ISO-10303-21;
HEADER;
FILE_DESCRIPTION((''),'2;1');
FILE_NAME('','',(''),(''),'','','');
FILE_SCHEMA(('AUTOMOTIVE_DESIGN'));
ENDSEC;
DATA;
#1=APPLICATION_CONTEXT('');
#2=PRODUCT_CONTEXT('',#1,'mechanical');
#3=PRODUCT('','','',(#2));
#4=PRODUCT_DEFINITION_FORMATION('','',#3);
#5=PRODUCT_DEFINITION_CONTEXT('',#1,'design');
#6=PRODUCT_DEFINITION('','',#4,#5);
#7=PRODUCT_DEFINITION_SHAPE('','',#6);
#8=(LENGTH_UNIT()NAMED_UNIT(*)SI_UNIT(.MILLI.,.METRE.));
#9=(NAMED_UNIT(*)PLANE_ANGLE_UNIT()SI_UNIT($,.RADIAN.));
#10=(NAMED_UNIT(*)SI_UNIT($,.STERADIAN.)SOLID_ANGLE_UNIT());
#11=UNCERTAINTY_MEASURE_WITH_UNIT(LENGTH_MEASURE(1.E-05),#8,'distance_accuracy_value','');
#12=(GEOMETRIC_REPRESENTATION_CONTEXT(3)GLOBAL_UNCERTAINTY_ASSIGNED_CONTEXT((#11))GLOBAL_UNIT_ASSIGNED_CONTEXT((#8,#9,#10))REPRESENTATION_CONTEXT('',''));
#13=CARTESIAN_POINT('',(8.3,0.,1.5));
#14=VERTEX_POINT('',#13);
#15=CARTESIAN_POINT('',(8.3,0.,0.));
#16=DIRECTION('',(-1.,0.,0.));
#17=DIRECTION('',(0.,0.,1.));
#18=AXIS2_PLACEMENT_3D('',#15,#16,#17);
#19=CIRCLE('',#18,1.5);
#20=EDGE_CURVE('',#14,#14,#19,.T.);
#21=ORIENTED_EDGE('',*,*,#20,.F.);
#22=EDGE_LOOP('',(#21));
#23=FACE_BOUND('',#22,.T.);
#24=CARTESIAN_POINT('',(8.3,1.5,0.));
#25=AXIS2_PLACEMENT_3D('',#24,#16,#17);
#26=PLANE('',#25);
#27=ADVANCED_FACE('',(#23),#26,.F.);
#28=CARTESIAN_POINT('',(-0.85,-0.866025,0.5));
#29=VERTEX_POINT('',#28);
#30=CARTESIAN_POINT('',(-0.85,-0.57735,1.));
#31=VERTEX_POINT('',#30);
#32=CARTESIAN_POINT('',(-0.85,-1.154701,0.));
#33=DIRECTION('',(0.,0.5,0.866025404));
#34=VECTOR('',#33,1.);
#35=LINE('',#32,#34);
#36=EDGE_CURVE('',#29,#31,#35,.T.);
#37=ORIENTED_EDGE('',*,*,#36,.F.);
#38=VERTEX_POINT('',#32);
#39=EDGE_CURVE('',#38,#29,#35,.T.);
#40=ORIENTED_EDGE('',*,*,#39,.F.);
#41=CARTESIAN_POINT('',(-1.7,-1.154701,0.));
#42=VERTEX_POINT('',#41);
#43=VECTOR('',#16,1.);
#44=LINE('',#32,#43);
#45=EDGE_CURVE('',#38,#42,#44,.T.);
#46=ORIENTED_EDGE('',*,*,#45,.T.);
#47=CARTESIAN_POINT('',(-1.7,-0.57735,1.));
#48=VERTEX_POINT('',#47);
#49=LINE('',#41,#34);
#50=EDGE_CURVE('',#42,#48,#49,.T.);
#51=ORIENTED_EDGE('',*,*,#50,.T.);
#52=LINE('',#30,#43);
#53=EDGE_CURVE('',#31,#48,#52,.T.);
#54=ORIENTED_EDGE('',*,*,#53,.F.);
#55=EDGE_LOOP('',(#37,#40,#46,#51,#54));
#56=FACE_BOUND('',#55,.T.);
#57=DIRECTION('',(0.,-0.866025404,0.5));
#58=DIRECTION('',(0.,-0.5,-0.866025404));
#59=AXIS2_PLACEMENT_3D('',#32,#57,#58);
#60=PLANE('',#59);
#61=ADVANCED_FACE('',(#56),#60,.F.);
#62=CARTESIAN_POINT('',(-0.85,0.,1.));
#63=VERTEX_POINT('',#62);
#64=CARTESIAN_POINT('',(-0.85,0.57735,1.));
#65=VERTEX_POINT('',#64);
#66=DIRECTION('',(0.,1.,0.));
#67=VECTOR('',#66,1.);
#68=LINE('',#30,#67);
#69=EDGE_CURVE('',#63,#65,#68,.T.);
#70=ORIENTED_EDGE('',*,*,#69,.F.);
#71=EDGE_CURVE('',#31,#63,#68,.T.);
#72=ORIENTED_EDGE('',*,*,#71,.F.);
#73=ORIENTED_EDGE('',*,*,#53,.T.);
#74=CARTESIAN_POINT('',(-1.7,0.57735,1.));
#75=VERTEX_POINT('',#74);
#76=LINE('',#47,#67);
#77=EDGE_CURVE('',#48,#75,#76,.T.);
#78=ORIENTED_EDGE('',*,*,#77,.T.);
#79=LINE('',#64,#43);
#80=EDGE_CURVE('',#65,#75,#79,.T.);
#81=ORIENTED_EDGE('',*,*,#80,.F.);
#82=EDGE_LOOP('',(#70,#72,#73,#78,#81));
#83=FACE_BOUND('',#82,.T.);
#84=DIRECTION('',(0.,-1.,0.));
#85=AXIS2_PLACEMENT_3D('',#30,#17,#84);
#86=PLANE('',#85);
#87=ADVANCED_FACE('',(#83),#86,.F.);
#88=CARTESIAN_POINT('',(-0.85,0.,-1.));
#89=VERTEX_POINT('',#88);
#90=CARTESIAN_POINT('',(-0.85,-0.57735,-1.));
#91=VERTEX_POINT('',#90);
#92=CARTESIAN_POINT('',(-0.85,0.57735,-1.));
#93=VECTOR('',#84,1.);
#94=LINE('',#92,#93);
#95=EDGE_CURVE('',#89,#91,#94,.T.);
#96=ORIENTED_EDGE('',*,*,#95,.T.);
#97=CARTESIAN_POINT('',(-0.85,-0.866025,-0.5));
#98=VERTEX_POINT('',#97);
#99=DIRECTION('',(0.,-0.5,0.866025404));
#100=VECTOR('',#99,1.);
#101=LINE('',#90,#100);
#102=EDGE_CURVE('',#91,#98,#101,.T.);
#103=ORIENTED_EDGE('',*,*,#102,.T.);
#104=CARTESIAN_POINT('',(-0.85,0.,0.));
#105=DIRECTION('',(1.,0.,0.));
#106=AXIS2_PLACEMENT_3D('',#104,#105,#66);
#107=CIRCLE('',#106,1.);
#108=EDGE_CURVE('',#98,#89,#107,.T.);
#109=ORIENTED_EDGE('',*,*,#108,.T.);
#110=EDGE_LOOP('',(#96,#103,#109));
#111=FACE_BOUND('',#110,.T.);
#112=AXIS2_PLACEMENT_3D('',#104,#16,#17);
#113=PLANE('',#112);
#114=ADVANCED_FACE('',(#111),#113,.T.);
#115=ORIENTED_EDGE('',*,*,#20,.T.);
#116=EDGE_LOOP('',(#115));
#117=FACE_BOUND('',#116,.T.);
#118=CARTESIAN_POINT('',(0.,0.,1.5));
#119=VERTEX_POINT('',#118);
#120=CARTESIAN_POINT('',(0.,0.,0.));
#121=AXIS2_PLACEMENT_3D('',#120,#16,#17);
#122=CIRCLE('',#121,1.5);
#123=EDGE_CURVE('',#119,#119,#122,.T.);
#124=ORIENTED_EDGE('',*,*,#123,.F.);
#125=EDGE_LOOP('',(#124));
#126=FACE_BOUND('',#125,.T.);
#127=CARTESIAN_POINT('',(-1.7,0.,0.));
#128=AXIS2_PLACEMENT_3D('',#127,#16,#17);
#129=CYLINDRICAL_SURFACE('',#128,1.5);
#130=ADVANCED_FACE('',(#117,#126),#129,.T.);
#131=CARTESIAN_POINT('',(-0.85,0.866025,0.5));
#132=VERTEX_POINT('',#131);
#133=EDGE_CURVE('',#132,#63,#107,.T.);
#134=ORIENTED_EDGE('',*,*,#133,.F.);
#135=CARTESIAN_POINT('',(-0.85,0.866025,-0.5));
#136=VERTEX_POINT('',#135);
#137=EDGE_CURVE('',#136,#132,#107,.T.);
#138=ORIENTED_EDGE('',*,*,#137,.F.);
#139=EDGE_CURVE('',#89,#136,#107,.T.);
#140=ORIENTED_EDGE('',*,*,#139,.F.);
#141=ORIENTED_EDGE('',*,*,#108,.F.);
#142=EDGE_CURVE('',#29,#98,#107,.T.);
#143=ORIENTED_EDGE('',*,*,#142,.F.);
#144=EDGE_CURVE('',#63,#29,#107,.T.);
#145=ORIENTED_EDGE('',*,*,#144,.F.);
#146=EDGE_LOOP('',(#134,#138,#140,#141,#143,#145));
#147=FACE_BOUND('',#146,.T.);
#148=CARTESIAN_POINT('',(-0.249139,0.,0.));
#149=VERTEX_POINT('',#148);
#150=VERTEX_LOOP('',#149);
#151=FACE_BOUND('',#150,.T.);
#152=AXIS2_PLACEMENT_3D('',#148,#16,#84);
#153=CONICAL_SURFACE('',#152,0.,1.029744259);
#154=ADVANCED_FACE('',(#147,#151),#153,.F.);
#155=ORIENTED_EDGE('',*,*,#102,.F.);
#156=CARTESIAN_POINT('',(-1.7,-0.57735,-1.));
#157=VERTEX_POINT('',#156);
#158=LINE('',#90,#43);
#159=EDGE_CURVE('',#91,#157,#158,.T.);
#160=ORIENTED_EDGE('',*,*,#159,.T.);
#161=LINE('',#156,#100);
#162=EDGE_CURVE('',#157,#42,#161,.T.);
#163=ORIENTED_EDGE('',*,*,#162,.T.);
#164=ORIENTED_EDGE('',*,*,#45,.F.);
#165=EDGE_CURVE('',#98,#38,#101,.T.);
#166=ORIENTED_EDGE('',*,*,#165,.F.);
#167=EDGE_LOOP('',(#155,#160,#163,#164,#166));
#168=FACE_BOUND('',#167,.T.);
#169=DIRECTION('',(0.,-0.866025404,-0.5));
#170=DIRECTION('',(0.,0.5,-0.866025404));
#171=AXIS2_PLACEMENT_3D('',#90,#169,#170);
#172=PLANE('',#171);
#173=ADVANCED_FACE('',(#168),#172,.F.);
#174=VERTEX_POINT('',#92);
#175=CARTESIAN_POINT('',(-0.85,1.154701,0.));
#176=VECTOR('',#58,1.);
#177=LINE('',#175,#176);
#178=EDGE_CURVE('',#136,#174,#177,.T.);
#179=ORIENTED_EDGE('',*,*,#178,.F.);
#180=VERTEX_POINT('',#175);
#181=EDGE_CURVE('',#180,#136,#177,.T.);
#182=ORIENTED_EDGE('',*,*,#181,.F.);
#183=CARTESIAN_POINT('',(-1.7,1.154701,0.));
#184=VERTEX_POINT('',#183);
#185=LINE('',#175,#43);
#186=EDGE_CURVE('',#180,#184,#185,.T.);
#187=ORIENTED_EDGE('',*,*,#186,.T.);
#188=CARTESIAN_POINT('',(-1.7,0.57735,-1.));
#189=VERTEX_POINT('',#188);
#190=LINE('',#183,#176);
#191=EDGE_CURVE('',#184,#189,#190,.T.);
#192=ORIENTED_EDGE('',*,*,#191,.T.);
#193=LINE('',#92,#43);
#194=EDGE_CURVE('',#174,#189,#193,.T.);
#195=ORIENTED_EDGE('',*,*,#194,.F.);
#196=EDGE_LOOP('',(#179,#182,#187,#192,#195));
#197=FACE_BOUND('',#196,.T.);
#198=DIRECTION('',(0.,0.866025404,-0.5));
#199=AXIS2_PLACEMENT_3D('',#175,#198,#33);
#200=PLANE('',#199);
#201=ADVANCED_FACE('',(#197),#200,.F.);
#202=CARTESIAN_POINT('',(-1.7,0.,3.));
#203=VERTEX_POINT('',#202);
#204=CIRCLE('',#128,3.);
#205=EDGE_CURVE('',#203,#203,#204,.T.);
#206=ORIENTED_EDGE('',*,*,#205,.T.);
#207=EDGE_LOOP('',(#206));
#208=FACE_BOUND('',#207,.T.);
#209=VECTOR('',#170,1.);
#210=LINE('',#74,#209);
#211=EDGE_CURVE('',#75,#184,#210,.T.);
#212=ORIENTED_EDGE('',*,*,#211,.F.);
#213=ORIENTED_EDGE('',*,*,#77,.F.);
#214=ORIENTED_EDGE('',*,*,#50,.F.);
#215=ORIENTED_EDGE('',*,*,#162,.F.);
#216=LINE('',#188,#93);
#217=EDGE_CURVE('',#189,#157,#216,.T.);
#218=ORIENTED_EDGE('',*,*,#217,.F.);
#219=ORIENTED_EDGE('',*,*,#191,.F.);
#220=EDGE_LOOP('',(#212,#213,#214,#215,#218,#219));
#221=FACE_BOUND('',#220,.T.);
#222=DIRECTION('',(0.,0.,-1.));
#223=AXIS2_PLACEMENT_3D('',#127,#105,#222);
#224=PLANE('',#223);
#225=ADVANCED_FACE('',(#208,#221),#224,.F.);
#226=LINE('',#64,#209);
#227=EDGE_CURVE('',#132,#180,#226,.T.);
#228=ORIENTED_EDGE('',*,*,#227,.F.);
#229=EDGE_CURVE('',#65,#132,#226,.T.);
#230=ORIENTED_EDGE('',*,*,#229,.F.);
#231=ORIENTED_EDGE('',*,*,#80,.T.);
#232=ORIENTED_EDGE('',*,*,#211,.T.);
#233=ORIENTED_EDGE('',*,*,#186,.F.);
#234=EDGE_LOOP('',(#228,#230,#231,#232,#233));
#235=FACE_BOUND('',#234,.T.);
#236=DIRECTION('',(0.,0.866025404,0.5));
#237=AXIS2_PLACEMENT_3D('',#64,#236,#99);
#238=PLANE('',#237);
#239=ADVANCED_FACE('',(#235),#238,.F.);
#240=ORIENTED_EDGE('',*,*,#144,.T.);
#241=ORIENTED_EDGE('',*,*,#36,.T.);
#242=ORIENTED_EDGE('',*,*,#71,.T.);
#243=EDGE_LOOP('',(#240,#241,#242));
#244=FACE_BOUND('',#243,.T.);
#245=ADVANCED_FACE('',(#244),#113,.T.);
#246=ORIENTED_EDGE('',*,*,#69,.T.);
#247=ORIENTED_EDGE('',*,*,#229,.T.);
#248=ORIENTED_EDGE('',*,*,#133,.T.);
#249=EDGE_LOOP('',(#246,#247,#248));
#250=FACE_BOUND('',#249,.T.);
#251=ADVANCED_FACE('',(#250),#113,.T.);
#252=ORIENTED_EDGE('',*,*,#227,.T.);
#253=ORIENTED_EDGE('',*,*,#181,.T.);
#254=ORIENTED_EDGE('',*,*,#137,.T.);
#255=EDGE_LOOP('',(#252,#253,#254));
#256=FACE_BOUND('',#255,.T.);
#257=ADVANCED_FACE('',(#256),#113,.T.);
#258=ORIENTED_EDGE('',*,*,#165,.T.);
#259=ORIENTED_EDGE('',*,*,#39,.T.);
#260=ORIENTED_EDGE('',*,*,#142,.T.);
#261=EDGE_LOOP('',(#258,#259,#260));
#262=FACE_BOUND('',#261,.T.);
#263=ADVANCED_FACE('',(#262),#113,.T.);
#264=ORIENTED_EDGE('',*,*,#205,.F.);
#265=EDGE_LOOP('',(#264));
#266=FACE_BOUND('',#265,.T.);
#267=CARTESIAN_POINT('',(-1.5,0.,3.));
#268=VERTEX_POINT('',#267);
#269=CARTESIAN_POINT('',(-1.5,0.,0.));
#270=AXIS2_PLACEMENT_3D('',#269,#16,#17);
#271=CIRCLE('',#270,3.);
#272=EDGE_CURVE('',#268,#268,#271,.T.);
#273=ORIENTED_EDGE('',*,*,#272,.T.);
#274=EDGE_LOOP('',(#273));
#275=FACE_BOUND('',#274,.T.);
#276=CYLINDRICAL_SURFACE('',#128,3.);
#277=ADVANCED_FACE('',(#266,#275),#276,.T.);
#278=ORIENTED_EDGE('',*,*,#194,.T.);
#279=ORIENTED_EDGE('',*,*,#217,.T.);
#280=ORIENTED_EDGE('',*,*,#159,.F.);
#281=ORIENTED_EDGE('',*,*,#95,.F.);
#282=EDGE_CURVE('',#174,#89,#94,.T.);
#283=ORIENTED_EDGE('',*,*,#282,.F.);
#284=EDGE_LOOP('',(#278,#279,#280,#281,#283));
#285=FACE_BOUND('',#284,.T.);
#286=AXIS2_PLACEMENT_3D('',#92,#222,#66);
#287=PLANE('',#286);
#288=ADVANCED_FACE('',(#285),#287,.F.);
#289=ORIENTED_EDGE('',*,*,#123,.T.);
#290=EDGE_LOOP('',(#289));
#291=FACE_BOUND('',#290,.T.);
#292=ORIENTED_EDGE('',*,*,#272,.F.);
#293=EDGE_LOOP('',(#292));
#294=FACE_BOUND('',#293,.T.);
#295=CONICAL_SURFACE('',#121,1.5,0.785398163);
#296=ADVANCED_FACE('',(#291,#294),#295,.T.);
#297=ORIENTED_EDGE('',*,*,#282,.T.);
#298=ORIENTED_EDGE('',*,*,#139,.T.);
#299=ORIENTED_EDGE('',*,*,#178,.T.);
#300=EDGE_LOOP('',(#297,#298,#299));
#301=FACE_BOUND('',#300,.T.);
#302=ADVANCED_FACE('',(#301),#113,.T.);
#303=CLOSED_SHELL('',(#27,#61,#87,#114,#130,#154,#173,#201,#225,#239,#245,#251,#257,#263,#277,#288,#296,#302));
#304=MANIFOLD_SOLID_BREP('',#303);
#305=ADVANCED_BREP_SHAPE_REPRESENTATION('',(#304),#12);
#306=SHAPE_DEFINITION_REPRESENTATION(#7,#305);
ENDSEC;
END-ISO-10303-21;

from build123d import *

# Parameters (mm, degrees)
CUT_EXTRUDE1_DEPTH = 0.85


with BuildPart() as part:
    # Sketch1 → Revolve1 (revolve)
    with BuildSketch(Plane.XY):
        Polygon((-1.7, 0), (-1.7, 3), (-1.5, 3), (0, 1.5), (8.3, 1.5), (8.3, 0), align=None)
    revolve(axis=Axis((-1.7, 0, 0), (1, 0, 0)))

    # Sketch2 → Cut-Revolve2 (revolve, cut)
    with BuildSketch(Plane.XY):
        Polygon((-0.249139381, 0), (-0.85, 1), (-1.7, 1), (-1.7, 0), align=None)
    revolve(axis=Axis((-0.249139381, 0, 0), (-1, 0, 0)), mode=Mode.SUBTRACT)

    # Sketch3 → Cut-Extrude1 (cut)
    with BuildSketch(Plane.ZY.offset(1.7)):
        Polygon((0, 1.154700538), (-1, 0.577350269), (-1, -0.577350269), (0, -1.154700538), (1, -0.577350269), (1, 0.577350269), align=None)
    extrude(amount=-CUT_EXTRUDE1_DEPTH, mode=Mode.SUBTRACT)


solid = part.part
